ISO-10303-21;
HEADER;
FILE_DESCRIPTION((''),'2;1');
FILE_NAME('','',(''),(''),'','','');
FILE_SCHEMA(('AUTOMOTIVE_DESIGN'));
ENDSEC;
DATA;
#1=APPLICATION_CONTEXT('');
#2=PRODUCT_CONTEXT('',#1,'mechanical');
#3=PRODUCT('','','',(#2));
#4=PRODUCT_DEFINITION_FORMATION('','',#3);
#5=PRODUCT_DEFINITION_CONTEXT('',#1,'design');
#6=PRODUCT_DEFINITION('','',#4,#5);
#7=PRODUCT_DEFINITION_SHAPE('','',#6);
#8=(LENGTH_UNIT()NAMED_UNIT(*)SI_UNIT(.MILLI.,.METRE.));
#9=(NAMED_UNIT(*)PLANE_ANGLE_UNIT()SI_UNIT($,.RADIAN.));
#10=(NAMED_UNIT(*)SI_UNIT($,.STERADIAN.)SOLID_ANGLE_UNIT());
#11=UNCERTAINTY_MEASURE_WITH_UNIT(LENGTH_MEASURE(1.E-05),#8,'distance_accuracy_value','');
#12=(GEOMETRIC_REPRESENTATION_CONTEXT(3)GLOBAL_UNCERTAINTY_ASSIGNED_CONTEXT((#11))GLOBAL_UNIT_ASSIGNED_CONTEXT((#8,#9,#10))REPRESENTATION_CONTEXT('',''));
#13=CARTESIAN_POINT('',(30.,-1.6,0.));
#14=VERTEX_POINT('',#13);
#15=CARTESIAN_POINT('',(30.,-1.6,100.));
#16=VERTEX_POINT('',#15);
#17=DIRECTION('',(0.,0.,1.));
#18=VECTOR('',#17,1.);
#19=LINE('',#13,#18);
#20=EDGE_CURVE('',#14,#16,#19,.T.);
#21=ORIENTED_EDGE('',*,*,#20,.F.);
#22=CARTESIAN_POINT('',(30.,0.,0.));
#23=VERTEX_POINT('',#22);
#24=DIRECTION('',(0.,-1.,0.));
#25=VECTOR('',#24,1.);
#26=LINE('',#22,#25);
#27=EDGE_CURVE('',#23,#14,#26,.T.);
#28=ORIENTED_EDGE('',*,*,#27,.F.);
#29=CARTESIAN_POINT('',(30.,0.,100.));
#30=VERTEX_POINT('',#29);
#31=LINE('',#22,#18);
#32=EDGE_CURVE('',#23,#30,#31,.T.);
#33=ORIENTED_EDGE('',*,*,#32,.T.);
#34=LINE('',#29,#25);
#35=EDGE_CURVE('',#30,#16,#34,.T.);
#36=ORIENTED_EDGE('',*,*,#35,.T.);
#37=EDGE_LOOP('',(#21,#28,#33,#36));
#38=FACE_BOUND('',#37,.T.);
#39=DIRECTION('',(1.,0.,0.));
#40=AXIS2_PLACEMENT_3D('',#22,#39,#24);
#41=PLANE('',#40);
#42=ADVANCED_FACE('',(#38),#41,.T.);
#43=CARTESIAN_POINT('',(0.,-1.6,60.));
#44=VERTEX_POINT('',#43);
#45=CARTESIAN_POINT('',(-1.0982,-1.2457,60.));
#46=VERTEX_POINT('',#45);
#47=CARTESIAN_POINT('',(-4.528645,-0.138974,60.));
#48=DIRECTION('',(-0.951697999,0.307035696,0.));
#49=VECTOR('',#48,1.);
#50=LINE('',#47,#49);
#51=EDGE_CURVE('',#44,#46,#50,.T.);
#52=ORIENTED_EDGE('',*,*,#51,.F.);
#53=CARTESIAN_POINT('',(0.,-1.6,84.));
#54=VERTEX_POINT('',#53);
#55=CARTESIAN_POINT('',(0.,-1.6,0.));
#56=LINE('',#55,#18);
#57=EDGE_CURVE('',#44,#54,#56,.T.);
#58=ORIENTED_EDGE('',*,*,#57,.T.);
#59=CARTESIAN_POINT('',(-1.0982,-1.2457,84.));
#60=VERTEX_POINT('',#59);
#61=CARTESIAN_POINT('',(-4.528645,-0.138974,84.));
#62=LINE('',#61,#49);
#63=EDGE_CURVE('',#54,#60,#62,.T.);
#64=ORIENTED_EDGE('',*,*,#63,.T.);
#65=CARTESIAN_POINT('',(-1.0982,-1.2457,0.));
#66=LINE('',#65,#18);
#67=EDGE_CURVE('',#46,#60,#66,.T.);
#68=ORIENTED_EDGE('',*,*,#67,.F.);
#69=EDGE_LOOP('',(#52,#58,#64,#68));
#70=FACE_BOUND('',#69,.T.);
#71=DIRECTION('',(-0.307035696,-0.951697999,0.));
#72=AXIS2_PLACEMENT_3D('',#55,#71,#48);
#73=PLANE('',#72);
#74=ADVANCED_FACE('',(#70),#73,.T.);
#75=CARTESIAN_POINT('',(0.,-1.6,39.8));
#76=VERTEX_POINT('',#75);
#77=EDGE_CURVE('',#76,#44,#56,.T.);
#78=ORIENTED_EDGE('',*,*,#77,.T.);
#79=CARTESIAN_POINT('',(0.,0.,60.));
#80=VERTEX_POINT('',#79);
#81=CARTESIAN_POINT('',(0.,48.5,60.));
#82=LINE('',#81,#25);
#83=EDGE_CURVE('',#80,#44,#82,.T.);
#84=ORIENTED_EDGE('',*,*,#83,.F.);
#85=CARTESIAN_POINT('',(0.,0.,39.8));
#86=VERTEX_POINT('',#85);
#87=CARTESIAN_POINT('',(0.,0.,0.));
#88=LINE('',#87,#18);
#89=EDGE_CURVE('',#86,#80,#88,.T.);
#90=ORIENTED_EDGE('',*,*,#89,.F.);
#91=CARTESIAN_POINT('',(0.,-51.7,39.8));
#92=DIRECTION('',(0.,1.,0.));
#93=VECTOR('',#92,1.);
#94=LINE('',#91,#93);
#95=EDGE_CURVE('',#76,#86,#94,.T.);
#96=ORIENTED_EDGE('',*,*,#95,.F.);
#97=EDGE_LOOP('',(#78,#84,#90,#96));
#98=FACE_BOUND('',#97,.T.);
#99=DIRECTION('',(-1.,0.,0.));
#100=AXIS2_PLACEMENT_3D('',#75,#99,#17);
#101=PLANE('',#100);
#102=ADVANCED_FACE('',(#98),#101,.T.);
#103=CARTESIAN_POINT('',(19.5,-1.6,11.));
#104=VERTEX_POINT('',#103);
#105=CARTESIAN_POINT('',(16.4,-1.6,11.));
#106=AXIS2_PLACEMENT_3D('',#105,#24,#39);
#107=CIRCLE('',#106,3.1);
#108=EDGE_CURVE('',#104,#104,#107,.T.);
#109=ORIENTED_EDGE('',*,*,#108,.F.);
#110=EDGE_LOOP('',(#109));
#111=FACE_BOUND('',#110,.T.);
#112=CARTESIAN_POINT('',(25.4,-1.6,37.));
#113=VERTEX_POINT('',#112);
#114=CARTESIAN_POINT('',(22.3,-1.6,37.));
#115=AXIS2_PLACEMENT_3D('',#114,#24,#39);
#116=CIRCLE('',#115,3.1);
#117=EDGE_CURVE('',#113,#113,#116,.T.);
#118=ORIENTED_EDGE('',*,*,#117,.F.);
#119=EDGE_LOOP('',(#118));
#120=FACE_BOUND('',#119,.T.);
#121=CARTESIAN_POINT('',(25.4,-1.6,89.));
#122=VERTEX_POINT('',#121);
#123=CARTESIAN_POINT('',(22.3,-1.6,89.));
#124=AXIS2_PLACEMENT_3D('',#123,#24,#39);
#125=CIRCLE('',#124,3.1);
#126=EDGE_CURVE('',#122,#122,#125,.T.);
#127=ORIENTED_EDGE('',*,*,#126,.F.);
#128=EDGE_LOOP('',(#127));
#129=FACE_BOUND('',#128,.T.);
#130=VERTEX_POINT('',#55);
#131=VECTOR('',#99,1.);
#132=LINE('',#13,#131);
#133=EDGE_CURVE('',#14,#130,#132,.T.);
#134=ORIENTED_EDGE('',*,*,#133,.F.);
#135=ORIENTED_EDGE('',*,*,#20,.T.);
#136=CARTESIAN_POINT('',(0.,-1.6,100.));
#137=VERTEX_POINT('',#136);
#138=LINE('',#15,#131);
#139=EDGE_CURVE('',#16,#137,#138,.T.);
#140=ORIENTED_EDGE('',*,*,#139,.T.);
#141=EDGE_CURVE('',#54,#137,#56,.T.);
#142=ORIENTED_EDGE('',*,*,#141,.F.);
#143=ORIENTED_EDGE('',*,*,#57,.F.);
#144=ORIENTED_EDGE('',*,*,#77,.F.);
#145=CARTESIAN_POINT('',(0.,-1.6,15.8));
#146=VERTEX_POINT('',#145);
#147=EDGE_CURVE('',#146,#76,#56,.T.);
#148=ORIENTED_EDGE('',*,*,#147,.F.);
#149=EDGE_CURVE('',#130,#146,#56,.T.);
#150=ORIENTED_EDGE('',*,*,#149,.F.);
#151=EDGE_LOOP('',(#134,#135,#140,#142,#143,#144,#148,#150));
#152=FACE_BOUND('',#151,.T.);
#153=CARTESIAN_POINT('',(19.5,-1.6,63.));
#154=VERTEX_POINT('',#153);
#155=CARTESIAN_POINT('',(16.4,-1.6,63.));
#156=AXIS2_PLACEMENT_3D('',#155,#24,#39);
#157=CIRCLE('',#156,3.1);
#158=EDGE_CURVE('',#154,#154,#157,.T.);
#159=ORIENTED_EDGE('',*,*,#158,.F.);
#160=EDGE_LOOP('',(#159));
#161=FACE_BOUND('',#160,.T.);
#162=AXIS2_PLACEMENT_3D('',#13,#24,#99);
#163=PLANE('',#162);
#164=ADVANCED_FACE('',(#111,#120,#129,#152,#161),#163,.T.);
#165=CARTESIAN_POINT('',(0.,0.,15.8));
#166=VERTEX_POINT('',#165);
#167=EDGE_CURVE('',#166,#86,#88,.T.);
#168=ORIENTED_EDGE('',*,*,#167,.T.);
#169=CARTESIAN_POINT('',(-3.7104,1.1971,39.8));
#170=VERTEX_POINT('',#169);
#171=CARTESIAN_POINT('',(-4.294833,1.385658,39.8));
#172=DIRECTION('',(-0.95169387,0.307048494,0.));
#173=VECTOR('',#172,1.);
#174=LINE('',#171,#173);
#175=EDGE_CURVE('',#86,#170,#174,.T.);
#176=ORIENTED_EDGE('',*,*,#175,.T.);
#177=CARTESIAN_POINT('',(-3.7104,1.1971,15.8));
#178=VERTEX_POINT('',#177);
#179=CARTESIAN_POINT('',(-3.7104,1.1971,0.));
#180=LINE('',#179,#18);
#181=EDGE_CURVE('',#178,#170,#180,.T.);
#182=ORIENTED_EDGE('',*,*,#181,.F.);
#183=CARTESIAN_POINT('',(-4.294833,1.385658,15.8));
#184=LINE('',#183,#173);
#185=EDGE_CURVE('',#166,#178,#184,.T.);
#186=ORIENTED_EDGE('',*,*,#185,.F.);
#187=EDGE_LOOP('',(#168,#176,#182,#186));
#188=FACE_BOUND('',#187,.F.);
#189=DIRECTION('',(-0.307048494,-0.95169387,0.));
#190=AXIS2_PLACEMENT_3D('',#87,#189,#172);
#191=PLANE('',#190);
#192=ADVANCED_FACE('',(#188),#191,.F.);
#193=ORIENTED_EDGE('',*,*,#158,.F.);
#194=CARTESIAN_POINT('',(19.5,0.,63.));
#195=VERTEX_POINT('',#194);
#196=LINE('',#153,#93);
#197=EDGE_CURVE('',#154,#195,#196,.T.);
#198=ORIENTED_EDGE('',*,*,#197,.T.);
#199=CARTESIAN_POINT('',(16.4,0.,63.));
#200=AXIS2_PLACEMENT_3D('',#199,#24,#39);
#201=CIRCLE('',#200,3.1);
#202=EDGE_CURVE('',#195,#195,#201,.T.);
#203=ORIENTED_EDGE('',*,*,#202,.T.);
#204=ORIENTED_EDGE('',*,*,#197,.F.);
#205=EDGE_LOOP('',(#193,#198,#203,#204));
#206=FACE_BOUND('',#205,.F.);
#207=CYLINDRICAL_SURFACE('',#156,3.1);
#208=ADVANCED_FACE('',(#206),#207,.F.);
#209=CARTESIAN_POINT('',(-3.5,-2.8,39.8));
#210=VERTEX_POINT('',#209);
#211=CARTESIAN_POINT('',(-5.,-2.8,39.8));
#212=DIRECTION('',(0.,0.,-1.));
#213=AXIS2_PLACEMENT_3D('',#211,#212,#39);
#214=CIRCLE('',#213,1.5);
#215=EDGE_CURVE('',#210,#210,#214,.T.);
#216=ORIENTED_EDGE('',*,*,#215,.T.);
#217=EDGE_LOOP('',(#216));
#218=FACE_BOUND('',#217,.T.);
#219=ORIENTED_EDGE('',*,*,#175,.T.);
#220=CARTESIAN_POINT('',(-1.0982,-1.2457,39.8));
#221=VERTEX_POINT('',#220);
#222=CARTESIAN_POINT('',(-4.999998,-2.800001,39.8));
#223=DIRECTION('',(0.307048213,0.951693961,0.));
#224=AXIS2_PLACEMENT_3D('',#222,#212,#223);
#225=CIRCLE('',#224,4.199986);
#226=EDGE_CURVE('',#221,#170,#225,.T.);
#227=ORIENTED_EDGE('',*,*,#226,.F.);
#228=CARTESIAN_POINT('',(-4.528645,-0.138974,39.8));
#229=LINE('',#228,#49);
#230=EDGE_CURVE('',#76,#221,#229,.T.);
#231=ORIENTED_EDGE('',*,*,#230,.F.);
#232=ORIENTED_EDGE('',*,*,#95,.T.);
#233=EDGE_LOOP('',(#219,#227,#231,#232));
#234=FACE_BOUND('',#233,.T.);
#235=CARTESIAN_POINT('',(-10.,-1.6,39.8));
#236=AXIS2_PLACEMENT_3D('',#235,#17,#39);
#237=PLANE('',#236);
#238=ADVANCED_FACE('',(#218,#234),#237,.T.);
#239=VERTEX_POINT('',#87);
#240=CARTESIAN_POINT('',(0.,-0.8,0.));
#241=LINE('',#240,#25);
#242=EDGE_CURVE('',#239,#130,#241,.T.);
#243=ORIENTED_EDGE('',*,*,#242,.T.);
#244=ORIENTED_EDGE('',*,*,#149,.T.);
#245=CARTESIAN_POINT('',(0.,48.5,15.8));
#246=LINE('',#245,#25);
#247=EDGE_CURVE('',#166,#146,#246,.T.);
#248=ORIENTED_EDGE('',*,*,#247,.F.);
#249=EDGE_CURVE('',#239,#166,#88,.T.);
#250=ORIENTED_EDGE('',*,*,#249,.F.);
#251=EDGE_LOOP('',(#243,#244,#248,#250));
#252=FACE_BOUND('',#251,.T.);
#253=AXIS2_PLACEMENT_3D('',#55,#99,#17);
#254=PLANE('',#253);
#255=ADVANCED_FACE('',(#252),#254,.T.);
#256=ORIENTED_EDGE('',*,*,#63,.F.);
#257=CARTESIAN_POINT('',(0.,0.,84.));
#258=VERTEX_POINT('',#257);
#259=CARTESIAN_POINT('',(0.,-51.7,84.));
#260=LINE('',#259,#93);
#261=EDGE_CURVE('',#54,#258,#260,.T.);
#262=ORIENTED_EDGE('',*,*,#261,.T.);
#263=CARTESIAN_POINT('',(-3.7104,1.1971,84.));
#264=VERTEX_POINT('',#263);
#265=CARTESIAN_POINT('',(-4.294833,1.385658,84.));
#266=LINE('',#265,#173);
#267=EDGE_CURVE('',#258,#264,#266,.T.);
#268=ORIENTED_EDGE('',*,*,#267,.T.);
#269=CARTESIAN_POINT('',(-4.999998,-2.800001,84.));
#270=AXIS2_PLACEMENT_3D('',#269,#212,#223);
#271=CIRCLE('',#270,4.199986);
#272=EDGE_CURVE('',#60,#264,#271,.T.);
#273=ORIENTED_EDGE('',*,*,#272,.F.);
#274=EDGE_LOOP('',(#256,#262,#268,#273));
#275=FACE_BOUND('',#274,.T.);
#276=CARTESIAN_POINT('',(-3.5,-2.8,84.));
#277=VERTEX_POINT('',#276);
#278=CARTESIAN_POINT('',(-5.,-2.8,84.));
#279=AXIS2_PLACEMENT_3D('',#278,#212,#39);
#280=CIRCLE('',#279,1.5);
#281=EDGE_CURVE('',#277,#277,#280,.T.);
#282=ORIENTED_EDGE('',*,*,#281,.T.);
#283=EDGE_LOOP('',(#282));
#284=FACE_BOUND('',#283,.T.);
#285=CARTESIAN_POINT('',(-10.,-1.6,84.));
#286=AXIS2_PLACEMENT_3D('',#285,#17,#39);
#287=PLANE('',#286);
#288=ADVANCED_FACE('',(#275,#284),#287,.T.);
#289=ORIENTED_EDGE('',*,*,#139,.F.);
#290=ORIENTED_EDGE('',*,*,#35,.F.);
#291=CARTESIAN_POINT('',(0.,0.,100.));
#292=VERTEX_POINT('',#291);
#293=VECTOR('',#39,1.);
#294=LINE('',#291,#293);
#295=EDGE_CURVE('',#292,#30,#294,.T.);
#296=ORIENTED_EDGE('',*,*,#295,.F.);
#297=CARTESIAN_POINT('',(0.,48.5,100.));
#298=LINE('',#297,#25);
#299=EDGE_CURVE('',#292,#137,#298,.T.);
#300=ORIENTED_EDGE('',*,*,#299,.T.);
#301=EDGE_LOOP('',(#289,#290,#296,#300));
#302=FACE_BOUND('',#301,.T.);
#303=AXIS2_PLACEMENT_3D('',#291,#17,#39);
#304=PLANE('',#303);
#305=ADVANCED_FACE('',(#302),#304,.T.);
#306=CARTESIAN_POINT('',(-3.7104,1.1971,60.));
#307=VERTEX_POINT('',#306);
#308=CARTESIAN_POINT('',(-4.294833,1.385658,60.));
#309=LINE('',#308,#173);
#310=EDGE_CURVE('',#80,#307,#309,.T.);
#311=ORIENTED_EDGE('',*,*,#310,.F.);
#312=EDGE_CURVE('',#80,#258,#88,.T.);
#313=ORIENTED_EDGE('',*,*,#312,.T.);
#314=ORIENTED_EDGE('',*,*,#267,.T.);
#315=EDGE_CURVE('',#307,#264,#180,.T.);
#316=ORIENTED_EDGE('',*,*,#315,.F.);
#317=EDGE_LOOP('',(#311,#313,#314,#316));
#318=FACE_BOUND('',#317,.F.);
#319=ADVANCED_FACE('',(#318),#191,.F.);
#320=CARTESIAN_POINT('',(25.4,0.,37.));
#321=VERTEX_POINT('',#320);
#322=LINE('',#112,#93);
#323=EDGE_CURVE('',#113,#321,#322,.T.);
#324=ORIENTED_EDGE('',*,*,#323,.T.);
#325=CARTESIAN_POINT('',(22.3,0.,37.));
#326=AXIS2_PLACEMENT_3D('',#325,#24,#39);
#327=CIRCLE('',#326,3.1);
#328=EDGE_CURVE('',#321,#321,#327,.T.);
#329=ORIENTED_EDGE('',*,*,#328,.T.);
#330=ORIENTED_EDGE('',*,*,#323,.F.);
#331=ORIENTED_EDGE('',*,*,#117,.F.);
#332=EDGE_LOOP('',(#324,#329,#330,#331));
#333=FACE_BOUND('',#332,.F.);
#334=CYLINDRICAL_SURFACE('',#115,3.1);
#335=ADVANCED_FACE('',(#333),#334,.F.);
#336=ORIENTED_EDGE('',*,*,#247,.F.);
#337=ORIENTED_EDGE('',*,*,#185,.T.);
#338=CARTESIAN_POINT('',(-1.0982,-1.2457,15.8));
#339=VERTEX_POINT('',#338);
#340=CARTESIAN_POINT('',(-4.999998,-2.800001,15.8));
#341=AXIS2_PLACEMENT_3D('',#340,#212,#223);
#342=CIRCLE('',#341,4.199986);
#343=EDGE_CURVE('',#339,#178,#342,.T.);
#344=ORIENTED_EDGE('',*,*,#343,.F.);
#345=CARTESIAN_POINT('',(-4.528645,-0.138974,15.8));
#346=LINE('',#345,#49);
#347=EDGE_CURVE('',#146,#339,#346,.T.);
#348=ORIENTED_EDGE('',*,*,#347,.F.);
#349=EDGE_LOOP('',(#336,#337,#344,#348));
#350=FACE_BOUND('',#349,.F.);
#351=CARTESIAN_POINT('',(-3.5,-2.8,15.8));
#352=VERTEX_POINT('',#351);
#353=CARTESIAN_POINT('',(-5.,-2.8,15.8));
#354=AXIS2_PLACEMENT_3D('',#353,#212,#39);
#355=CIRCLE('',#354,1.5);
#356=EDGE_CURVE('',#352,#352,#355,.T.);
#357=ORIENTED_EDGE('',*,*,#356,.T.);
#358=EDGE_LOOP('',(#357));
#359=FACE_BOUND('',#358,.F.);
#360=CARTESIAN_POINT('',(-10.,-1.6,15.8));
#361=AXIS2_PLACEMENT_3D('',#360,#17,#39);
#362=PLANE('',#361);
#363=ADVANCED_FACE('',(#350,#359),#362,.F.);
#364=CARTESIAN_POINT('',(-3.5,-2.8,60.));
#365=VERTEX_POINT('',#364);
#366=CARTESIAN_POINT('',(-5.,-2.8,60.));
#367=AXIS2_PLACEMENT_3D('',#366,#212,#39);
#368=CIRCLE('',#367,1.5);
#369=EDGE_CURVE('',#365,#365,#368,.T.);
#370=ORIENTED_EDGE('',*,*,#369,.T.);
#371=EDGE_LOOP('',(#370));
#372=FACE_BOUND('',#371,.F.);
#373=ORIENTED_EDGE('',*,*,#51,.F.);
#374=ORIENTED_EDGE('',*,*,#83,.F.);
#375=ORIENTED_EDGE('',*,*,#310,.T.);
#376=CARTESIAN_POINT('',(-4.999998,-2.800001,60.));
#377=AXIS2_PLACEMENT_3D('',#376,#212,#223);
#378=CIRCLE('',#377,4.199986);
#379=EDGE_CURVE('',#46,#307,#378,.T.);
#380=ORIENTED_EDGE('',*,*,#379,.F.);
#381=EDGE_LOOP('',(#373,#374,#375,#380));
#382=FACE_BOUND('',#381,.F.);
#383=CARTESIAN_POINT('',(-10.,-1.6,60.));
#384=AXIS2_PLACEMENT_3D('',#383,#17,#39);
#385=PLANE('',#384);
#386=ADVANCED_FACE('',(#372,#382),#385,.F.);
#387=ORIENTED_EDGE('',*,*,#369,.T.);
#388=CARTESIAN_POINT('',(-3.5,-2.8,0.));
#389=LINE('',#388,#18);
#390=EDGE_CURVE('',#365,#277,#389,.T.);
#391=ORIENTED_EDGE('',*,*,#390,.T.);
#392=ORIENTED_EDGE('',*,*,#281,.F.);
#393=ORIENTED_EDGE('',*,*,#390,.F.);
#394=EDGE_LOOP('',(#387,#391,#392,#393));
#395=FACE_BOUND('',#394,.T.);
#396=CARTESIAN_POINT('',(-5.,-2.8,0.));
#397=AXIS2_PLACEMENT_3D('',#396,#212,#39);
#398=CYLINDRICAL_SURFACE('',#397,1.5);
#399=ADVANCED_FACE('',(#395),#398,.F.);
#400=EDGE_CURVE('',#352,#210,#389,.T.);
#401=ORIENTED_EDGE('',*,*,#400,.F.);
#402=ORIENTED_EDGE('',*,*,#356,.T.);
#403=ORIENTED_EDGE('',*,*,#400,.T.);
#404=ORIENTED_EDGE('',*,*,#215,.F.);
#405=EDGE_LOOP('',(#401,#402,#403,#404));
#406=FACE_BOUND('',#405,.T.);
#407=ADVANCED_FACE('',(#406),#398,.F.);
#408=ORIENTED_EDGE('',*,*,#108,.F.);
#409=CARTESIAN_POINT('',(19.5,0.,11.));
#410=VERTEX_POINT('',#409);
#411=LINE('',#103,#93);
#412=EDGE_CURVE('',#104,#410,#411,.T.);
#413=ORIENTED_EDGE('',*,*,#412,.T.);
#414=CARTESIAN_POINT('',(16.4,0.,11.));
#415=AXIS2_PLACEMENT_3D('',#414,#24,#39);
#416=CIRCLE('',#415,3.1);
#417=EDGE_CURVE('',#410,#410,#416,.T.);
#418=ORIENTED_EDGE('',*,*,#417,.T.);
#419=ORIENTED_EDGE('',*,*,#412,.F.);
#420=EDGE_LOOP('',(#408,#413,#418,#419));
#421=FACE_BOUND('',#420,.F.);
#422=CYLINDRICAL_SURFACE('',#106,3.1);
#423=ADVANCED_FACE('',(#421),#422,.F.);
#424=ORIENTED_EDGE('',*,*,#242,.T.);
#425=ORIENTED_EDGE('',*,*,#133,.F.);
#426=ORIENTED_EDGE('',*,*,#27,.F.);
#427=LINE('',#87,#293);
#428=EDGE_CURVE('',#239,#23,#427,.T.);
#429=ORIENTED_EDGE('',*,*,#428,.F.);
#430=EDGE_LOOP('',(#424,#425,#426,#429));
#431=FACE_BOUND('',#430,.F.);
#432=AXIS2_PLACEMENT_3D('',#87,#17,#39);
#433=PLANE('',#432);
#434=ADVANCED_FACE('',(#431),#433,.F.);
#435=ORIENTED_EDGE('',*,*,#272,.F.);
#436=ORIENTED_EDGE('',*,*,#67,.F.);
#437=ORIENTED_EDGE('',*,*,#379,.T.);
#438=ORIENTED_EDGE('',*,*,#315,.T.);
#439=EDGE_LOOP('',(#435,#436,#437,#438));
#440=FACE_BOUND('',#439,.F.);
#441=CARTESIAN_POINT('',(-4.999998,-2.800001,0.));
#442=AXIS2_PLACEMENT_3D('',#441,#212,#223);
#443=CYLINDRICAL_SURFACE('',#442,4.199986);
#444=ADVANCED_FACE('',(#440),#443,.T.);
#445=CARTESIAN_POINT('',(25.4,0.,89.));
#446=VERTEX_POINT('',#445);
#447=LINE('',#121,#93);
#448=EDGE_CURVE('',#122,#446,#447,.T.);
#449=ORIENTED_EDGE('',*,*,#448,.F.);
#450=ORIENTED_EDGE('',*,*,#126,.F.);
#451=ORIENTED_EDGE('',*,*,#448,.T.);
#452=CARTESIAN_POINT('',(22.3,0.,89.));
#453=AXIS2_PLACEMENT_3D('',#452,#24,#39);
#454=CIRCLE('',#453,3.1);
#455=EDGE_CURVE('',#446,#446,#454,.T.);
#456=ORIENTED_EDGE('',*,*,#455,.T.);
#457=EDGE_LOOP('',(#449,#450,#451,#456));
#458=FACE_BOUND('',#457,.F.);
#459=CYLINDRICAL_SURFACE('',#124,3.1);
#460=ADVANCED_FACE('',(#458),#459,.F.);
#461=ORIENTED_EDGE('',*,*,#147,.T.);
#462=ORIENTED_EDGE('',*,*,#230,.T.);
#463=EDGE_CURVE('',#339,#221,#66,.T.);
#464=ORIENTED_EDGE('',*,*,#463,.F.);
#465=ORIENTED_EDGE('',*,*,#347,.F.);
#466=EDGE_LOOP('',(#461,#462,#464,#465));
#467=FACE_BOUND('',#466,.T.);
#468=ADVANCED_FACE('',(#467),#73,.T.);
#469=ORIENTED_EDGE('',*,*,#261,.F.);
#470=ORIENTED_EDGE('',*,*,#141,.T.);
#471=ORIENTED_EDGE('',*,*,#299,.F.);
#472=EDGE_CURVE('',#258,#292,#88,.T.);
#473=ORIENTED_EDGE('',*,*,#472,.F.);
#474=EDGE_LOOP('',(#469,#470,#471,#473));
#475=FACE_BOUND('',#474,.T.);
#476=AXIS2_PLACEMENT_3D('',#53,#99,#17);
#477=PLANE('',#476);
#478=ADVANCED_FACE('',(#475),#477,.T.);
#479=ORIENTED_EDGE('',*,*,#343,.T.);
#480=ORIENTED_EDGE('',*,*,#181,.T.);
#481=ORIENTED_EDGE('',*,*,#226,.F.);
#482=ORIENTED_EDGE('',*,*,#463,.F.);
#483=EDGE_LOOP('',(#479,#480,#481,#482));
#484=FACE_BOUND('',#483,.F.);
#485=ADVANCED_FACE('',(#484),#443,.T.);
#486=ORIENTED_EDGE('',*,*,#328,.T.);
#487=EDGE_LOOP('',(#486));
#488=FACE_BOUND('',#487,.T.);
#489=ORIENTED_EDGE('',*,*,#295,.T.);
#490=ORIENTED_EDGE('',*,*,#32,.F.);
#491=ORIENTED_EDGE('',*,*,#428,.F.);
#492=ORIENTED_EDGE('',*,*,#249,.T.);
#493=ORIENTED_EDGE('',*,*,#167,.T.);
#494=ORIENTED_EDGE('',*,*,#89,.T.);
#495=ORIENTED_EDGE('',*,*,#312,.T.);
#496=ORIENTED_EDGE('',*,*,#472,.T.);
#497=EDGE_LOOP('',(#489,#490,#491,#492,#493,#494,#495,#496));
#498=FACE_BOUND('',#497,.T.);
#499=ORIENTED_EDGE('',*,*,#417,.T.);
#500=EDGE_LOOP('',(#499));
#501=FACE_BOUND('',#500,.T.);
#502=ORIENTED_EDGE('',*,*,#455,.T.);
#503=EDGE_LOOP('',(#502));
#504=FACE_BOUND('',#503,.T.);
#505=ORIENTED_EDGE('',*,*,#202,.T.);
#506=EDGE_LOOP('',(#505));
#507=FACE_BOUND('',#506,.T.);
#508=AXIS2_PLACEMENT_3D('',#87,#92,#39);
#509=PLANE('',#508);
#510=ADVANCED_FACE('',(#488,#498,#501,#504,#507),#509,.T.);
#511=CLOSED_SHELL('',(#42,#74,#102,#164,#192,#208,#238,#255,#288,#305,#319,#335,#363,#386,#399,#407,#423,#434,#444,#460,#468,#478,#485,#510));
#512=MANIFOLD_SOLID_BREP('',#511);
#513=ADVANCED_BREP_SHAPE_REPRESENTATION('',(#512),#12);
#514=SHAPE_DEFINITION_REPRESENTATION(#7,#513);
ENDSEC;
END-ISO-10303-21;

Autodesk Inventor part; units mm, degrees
ref_plane "YZ Plane" through (0, 0, 0) normal (1, 0, 0) x (0, 1, 0)
ref_plane "XZ Plane" through (0, 0, 0) normal (0, 1, 0) x (-1, 0, 0)
ref_plane "XY Plane" through (0, 0, 0) normal (0, 0, 1) x (1, 0, 0)
sketch "スケッチ1" plane through (0, 0, 0) normal (0, 0, 1) x (1, 0, 0)
  line L0 (0, 0) -> (30, 0)
  line L1 (30, 0) -> (30, -1.6)
  line L2 (30, -1.6) -> (0, -1.6)
  arc A0 (-3.7104, 1.1971) -> (-1.0982, -1.2457) centre (-5, -2.8) ccw
  line L3 (0, 0) -> (-3.7104, 1.1971)
  line L4 (0, -1.6) -> (-1.0982, -1.2457)
  line L5 (0, 0) -> (0, -1.6) construction
  circle A1 centre (-5, -2.8) radius 1.5
  dimension "d0" = 1.6
  dimension "d1" = 30
  dimension "d2" = 8.4
  dimension "d4" = 35
  dimension "d5" = 2.8
  dimension "d6" = 3
extrude "押し出し1" add sketch "スケッチ1" along normal blind 100
sketch "スケッチ2" plane through (0, -1.6, 0) normal (0, -1, 0) x (1, 0, 0)
  line L0 (0, 100) -> (-3.7104, 100) projected
  line L1 (0, 100) -> (-10, 100)
  line L2 (-10, -0.2) -> (0, -0.2)
  line L3 (-10, 84) -> (0, 84)
  line L4 (0, 0) -> (0, 100) projected
  line L5 (-10, 39.8) -> (0, 39.8)
  line L6 (-10, 15.8) -> (0, 15.8)
  line L7 (16.4, 101.8084) -> (16.4, 1.6084) construction
  line L8 (30, 0) -> (30, 100) construction
  line L9 (30, 89) -> (16.4, 89) construction
  line L10 (30, 63) -> (16.4, 63) construction
  line L11 (30, 37) -> (16.4, 37) construction
  line L12 (30, 11) -> (16.4, 11) construction
  line L13 (30, 100) -> (0, 100) construction
  line L14 (22.3, 100) -> (22.3, 0) construction
  circle A0 centre (22.3, 89) radius 3.1
  circle A1 centre (16.4, 63) radius 3.1
  circle A2 centre (22.3, 37) radius 3.1
  circle A3 centre (16.4, 11) radius 3.1
  line L15 (30, 0) -> (0, 0) construction
  line L16 (-10, 60) -> (0, 60)
  line L17 (-10, 100) -> (-10, 84)
  line L18 (0, 84) -> (0, 100)
  line L19 (-10, 60) -> (-10, 39.8)
  line L20 (-10, 15.8) -> (-10, -0.2)
  line L21 (0, -0.2) -> (0, 15.8)
  line L22 (0, 39.8) -> (0, 60)
  dimension "d9" = 100.2
  dimension "d10" = 10
  dimension "d11" = 16
  dimension "d12" = 16
  dimension "d13" = 24
  dimension "d15" = 7.7
  dimension "d16" = 6.2
  dimension "d17" = 11
  dimension "d19" = 11
  dimension "d20" = 13.6
  dimension "d21" = 37
  dimension "d22" = 37
  dimension "d23" = 24
extrude "押し出し2" cut sketch "スケッチ2" along normal mid plane 100.2
properties part number "蝶番1"
